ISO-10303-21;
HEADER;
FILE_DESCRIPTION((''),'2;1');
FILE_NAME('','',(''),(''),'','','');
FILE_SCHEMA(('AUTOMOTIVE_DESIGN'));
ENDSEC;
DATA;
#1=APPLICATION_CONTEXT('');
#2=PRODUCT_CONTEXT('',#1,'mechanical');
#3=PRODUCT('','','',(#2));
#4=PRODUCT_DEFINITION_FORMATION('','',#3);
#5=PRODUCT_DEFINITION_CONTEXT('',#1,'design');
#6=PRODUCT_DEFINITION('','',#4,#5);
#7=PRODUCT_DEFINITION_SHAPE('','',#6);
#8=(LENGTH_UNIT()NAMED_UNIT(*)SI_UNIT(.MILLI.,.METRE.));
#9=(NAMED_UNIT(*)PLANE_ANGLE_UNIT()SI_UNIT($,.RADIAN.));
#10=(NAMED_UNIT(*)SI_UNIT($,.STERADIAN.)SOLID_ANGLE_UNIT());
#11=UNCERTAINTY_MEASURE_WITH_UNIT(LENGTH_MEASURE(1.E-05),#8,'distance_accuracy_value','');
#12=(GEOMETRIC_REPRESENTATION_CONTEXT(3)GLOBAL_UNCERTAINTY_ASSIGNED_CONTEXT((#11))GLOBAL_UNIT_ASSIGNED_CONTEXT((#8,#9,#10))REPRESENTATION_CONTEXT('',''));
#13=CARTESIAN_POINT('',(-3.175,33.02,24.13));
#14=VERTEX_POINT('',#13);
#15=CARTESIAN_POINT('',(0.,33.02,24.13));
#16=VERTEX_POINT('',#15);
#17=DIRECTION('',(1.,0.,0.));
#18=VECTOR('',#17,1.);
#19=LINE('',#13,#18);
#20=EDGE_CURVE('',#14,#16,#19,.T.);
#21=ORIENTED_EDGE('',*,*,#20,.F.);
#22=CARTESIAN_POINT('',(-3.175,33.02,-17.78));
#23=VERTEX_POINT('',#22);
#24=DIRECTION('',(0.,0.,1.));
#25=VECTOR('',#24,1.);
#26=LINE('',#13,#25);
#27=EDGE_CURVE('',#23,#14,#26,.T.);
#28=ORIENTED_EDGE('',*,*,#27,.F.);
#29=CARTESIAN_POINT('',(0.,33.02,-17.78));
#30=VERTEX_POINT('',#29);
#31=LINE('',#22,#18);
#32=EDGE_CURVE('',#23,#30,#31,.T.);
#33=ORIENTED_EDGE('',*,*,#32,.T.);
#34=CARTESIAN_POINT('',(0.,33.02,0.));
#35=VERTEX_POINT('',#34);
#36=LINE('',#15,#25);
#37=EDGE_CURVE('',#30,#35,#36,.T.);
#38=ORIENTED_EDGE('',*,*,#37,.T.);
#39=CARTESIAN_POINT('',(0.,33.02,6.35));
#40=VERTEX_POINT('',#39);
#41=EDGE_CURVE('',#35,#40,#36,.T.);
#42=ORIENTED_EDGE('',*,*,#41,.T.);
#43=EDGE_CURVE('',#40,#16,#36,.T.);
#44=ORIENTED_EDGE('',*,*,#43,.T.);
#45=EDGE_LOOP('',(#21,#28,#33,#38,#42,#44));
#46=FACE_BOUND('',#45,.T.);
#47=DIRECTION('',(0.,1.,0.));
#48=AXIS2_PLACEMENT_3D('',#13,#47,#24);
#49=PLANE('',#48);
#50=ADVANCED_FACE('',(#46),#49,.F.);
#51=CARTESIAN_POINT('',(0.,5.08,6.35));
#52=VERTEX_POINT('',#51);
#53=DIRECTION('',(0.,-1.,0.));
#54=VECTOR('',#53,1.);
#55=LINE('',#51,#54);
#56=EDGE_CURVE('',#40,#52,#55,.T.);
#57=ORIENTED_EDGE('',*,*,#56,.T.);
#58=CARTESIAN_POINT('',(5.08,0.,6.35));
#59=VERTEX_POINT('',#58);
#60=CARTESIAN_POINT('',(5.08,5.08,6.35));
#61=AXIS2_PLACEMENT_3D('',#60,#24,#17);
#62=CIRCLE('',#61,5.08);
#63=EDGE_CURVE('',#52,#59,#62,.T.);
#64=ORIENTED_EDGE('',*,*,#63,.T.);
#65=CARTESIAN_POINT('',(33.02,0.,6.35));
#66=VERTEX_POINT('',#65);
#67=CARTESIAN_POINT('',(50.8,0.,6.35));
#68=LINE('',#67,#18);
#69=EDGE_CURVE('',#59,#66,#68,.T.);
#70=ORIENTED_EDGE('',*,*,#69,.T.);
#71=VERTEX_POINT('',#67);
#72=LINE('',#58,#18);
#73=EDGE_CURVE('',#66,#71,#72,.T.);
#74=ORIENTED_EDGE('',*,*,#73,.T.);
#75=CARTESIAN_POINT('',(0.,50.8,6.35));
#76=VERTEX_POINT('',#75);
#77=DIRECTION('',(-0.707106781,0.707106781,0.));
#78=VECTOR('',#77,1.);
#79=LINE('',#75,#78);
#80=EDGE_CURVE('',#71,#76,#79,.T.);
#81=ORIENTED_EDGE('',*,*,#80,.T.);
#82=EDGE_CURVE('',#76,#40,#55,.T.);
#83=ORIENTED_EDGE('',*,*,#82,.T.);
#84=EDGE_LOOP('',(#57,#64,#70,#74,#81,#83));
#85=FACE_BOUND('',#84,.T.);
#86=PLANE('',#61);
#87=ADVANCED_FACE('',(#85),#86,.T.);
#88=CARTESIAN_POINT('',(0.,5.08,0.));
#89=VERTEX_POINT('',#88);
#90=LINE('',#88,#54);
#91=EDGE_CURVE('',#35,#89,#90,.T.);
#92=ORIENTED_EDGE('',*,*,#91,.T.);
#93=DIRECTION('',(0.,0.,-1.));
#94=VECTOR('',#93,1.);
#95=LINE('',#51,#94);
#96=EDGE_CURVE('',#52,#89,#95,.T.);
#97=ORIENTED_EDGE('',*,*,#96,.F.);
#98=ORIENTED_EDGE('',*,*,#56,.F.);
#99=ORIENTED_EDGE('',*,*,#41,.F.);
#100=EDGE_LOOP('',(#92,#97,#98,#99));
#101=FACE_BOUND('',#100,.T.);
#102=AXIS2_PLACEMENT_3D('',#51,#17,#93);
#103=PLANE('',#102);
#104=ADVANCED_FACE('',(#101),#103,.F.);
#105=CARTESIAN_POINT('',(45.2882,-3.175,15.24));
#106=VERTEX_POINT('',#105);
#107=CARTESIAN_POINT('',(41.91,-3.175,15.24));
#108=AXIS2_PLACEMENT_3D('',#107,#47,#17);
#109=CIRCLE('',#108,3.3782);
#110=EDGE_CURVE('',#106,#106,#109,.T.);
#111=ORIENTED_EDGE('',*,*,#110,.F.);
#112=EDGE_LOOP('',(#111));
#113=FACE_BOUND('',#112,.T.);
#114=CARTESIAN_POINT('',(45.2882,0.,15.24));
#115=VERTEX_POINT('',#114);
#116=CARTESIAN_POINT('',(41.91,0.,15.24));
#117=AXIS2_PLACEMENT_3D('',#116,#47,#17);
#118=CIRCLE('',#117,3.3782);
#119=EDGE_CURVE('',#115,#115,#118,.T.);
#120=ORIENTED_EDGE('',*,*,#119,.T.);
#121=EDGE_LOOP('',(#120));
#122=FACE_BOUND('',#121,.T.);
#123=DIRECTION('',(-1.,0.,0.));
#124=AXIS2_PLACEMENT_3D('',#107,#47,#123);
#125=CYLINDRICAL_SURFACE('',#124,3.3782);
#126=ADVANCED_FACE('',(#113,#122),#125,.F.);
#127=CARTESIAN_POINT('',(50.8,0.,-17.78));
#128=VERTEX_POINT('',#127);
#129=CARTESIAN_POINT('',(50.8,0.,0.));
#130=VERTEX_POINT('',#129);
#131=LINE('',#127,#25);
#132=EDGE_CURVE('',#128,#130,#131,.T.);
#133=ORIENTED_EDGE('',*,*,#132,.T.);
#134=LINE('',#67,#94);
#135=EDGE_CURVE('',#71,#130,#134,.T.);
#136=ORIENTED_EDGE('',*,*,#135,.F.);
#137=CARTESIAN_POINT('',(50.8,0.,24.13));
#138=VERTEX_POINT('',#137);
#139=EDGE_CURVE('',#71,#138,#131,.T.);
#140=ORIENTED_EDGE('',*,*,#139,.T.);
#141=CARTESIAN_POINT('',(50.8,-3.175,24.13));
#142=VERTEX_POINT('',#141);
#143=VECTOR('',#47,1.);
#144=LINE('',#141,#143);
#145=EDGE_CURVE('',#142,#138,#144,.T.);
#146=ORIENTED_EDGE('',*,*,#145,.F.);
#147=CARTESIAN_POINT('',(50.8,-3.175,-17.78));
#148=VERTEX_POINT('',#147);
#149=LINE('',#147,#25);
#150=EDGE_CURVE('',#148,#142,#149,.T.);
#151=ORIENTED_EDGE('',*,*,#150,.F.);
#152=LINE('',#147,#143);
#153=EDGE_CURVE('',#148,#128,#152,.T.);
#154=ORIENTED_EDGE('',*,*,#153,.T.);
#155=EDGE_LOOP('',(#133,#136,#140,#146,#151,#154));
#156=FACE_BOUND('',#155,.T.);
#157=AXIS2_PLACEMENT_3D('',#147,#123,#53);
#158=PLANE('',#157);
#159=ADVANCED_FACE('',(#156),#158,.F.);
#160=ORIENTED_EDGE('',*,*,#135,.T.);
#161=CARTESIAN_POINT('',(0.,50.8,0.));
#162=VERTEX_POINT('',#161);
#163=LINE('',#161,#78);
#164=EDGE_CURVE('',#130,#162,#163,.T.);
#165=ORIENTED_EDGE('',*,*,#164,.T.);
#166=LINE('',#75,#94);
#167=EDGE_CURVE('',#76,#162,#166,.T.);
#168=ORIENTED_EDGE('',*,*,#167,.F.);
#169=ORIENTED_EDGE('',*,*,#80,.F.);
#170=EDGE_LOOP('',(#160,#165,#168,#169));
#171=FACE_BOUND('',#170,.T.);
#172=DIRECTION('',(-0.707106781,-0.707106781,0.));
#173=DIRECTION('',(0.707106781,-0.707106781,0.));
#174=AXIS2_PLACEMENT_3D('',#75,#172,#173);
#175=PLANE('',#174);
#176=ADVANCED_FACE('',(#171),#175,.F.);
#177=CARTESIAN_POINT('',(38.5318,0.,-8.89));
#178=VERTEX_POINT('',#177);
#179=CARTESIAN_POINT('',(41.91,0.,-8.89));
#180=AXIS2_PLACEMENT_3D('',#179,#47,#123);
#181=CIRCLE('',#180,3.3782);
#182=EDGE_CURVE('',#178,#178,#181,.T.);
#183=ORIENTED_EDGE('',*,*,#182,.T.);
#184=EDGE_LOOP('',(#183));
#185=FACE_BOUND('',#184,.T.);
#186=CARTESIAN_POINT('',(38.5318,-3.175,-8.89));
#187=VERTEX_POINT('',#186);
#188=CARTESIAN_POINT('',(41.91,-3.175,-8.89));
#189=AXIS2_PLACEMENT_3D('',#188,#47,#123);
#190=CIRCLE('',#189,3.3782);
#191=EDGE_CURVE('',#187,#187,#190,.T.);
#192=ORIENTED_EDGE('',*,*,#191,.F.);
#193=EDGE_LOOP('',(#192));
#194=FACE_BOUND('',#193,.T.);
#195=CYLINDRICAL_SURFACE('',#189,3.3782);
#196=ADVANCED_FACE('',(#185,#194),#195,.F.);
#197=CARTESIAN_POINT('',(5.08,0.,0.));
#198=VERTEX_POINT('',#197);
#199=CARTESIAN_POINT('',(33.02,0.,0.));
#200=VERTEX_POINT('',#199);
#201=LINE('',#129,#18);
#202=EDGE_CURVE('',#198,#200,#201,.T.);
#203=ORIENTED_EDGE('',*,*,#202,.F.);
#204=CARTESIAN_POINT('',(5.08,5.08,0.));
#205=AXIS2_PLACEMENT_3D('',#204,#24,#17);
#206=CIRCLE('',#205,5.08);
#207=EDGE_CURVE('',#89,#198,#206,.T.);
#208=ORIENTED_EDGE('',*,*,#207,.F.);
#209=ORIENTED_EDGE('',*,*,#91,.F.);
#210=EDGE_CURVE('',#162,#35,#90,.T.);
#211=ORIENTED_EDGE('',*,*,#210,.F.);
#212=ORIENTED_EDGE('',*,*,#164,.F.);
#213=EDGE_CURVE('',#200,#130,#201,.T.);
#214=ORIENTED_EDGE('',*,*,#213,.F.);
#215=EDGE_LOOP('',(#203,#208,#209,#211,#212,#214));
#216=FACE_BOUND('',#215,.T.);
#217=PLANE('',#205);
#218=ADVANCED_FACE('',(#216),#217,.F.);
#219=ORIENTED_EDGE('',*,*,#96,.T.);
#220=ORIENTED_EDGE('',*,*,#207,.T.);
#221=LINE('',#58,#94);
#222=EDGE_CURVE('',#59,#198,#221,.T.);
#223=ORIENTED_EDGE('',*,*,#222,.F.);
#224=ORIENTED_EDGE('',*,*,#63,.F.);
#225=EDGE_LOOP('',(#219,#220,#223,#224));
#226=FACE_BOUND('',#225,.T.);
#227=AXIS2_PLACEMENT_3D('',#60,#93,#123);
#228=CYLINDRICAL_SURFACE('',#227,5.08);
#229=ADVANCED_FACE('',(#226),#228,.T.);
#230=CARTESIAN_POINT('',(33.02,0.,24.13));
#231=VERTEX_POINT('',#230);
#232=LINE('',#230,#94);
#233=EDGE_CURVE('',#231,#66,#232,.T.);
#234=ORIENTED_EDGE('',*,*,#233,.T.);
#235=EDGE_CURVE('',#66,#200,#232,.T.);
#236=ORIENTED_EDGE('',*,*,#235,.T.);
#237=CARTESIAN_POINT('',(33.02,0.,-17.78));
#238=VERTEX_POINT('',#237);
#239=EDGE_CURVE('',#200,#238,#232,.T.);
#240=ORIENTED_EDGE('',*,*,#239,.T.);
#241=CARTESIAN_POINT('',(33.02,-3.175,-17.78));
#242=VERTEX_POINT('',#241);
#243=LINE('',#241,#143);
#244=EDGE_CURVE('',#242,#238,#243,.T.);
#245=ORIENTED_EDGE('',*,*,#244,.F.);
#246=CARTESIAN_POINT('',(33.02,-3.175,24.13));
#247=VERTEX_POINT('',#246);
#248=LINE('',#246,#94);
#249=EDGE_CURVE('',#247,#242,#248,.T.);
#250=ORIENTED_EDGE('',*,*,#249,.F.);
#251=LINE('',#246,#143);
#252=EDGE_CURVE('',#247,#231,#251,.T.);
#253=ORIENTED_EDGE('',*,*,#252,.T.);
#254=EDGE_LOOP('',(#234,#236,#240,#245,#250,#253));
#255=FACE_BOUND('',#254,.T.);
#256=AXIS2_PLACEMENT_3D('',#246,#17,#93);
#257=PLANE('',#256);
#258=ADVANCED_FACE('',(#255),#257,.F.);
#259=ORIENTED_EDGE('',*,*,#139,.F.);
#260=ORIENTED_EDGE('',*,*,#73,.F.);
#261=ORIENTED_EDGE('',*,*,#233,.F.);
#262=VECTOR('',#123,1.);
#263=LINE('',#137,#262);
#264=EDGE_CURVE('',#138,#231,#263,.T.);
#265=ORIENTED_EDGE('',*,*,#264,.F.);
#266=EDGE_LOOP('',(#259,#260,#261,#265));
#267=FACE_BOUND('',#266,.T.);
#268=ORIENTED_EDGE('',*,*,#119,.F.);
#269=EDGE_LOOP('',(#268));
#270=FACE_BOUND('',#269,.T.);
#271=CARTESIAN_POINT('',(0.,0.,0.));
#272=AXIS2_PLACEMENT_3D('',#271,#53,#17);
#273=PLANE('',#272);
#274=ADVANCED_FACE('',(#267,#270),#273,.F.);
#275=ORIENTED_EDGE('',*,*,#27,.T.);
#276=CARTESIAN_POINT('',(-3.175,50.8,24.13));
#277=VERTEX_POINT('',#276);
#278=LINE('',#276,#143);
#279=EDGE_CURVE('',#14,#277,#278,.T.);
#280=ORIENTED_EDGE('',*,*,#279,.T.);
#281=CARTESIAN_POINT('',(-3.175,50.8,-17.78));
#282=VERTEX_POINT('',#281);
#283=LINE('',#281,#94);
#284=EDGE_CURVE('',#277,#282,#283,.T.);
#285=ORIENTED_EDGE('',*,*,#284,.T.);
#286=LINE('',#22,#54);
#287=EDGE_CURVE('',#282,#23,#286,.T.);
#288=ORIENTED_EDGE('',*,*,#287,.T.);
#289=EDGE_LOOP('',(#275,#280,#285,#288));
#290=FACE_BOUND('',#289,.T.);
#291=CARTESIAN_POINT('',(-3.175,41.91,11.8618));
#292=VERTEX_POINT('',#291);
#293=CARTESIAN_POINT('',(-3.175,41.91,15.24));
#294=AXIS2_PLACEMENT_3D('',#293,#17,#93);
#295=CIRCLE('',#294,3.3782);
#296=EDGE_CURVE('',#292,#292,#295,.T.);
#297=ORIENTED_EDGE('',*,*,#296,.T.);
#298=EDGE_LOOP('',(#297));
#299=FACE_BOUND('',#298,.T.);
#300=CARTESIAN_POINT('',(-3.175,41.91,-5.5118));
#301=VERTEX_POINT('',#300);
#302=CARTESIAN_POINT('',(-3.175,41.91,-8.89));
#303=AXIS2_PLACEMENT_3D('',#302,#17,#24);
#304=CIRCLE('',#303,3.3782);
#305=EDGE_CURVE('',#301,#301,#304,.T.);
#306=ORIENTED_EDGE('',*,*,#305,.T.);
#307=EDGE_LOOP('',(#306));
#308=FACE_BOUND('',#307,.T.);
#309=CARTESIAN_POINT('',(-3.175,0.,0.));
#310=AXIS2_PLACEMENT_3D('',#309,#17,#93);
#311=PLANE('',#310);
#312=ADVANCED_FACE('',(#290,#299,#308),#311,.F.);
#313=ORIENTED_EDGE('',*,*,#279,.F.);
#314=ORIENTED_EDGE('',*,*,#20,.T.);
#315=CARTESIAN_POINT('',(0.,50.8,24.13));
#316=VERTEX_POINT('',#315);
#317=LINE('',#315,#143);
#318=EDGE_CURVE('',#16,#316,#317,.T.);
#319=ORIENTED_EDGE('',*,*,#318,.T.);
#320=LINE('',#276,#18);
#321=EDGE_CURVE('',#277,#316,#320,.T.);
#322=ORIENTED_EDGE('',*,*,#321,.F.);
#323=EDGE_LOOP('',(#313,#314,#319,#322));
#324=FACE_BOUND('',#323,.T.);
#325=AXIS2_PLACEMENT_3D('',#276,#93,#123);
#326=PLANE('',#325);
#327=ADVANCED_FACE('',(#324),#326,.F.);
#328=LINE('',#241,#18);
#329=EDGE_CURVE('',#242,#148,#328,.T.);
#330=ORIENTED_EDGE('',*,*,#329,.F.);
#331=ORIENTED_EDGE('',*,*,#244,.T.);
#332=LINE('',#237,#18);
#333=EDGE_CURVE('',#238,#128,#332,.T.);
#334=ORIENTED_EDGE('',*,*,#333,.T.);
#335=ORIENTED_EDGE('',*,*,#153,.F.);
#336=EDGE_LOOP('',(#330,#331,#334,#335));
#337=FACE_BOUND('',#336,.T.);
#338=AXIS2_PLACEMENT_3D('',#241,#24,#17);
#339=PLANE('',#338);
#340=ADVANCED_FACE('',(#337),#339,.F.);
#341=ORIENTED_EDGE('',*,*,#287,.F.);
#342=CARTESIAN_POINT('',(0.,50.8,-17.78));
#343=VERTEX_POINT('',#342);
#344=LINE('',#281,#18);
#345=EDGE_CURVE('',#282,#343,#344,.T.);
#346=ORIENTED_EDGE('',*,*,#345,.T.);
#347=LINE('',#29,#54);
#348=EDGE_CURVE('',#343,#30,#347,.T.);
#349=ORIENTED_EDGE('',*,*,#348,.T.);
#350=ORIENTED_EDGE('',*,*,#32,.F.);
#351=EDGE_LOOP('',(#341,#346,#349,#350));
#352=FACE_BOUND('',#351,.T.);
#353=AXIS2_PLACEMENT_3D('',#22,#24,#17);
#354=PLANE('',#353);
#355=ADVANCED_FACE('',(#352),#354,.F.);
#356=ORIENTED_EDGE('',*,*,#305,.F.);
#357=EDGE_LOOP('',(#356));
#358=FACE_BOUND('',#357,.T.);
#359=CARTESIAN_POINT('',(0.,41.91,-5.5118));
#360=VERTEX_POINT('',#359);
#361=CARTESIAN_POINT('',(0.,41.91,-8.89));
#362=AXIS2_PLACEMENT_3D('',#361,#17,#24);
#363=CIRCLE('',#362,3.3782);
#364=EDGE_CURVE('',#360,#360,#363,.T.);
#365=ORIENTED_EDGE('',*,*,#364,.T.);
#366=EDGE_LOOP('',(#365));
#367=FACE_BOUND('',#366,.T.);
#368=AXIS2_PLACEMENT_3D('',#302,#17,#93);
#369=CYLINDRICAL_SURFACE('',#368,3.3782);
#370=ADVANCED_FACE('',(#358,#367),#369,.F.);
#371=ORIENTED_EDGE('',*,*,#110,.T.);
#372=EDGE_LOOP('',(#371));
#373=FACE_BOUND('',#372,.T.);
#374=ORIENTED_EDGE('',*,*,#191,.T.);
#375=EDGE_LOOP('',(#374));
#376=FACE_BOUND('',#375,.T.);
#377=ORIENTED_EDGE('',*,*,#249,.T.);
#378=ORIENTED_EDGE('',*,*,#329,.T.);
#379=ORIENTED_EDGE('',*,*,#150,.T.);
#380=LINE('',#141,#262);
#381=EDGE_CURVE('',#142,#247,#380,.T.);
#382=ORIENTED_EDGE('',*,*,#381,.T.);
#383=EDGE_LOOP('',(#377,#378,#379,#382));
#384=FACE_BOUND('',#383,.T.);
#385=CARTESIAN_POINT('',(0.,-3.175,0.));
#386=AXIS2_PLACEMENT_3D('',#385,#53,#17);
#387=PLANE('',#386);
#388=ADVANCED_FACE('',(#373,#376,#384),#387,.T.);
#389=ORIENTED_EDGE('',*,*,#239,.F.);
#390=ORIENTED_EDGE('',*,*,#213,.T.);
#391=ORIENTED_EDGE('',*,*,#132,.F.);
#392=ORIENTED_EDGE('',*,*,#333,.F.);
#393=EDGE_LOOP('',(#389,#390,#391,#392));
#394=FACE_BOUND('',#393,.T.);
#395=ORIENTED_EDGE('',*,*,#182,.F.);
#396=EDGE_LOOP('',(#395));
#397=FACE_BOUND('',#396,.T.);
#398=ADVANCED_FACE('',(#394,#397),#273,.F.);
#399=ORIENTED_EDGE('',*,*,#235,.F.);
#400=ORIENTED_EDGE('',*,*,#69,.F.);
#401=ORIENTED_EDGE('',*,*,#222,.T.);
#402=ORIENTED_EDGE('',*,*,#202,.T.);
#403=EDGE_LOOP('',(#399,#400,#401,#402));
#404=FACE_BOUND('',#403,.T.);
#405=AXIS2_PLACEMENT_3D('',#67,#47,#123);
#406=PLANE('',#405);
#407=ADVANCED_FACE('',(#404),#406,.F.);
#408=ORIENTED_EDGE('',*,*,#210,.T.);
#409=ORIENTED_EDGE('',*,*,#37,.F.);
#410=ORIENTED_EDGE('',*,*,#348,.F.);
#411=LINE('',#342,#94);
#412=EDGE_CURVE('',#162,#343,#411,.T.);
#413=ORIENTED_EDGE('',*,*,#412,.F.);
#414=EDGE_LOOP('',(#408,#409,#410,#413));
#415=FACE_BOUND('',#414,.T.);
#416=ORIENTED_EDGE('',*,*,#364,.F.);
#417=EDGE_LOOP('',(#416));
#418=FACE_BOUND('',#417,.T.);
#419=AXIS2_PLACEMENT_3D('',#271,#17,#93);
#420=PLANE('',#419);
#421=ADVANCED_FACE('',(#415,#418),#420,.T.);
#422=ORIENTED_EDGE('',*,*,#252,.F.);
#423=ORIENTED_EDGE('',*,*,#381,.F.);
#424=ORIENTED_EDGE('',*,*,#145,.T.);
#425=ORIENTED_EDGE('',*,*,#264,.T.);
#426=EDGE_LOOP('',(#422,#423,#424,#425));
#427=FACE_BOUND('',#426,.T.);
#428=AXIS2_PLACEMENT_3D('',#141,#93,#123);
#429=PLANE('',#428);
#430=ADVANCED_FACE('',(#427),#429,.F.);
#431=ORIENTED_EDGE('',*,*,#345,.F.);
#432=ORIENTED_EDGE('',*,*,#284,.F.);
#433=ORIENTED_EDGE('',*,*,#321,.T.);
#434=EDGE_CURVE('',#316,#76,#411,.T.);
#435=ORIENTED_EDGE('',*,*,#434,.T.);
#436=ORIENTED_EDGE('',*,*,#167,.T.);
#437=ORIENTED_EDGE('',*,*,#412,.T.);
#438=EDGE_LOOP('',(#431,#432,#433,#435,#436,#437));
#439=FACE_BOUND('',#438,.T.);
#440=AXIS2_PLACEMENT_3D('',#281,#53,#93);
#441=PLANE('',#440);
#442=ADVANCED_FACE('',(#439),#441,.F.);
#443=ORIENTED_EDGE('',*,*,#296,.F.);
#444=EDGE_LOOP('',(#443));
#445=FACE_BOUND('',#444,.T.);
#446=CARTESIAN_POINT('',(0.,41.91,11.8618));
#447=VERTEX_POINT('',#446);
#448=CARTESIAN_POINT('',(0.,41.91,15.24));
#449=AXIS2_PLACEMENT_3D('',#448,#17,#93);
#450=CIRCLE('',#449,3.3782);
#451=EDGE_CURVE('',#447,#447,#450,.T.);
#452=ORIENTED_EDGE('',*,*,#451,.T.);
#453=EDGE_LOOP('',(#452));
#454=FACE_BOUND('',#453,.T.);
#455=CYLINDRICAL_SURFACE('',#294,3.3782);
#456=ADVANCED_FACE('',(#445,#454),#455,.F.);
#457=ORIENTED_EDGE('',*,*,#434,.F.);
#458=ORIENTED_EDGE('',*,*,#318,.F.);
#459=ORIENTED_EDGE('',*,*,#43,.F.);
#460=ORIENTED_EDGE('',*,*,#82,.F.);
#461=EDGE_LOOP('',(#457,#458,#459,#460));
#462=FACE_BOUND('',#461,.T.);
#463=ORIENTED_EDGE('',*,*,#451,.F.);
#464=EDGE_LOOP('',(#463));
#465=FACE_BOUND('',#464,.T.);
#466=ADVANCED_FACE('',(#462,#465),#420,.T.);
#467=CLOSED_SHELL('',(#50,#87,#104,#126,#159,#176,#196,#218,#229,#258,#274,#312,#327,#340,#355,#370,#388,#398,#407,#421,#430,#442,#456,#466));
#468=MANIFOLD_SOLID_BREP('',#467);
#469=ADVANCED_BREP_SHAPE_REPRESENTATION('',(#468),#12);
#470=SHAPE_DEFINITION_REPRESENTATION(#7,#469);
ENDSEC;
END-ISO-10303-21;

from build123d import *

# Parameters (mm, degrees)
BOSS_EXTRUDE1_DEPTH = 6.35
SKETCH2_W           = 41.91
SKETCH2_H           = 17.78
BOSS_EXTRUDE2_DEPTH = 3.175
SKETCH3_W           = 17.78
SKETCH3_H           = 41.91
BOSS_EXTRUDE3_DEPTH = 3.175
SKETCH4_R           = 3.3782
CUT_EXTRUDE1_DEPTH  = 3.175
SKETCH5_R           = 3.3782
CUT_EXTRUDE2_DEPTH  = 3.175


with BuildPart() as part:
    # Sketch1 → Boss-Extrude1 (new body)
    with BuildSketch(Plane.XY):
        with BuildLine():
            Line((0, 5.08), (0, 50.8))
            Line((0, 50.8), (50.8, 0))
            Line((50.8, 0), (5.08, 0))
            ThreePointArc((5.08, 0), (1.487897552, 1.487897552), (0, 5.08))
        make_face()
    extrude(amount=BOSS_EXTRUDE1_DEPTH)

    # Sketch2 → Boss-Extrude2 (add)
    with BuildSketch(Plane.ZY):
        with Locations((3.175, 41.91)):
            Rectangle(SKETCH2_W, SKETCH2_H)
    extrude(amount=BOSS_EXTRUDE2_DEPTH)

    # Sketch3 → Boss-Extrude3 (add)
    with BuildSketch(Plane.XZ):
        with Locations((41.91, 3.175)):
            Rectangle(SKETCH3_W, SKETCH3_H)
    extrude(amount=BOSS_EXTRUDE3_DEPTH)

    # Sketch4 → Cut-Extrude1 (cut)
    with BuildSketch(Plane(origin=(0, 0, 0), x_dir=(1, 0, 0), z_dir=(0, 1, 0))):
        with Locations((41.91, 8.89)):
            Circle(SKETCH4_R)
        with Locations((41.91, -15.24)):
            Circle(SKETCH4_R)
    extrude(amount=-CUT_EXTRUDE1_DEPTH, mode=Mode.SUBTRACT)

    # Sketch5 → Cut-Extrude2 (cut)
    with BuildSketch(Plane(origin=(0, 0, 0), x_dir=(0, 0, -1), z_dir=(1, 0, 0))):
        with Locations((-15.24, 41.91)):
            Circle(SKETCH5_R)
        with Locations((8.89, 41.91)):
            Circle(SKETCH5_R)
    extrude(amount=-CUT_EXTRUDE2_DEPTH, mode=Mode.SUBTRACT)


solid = part.part
